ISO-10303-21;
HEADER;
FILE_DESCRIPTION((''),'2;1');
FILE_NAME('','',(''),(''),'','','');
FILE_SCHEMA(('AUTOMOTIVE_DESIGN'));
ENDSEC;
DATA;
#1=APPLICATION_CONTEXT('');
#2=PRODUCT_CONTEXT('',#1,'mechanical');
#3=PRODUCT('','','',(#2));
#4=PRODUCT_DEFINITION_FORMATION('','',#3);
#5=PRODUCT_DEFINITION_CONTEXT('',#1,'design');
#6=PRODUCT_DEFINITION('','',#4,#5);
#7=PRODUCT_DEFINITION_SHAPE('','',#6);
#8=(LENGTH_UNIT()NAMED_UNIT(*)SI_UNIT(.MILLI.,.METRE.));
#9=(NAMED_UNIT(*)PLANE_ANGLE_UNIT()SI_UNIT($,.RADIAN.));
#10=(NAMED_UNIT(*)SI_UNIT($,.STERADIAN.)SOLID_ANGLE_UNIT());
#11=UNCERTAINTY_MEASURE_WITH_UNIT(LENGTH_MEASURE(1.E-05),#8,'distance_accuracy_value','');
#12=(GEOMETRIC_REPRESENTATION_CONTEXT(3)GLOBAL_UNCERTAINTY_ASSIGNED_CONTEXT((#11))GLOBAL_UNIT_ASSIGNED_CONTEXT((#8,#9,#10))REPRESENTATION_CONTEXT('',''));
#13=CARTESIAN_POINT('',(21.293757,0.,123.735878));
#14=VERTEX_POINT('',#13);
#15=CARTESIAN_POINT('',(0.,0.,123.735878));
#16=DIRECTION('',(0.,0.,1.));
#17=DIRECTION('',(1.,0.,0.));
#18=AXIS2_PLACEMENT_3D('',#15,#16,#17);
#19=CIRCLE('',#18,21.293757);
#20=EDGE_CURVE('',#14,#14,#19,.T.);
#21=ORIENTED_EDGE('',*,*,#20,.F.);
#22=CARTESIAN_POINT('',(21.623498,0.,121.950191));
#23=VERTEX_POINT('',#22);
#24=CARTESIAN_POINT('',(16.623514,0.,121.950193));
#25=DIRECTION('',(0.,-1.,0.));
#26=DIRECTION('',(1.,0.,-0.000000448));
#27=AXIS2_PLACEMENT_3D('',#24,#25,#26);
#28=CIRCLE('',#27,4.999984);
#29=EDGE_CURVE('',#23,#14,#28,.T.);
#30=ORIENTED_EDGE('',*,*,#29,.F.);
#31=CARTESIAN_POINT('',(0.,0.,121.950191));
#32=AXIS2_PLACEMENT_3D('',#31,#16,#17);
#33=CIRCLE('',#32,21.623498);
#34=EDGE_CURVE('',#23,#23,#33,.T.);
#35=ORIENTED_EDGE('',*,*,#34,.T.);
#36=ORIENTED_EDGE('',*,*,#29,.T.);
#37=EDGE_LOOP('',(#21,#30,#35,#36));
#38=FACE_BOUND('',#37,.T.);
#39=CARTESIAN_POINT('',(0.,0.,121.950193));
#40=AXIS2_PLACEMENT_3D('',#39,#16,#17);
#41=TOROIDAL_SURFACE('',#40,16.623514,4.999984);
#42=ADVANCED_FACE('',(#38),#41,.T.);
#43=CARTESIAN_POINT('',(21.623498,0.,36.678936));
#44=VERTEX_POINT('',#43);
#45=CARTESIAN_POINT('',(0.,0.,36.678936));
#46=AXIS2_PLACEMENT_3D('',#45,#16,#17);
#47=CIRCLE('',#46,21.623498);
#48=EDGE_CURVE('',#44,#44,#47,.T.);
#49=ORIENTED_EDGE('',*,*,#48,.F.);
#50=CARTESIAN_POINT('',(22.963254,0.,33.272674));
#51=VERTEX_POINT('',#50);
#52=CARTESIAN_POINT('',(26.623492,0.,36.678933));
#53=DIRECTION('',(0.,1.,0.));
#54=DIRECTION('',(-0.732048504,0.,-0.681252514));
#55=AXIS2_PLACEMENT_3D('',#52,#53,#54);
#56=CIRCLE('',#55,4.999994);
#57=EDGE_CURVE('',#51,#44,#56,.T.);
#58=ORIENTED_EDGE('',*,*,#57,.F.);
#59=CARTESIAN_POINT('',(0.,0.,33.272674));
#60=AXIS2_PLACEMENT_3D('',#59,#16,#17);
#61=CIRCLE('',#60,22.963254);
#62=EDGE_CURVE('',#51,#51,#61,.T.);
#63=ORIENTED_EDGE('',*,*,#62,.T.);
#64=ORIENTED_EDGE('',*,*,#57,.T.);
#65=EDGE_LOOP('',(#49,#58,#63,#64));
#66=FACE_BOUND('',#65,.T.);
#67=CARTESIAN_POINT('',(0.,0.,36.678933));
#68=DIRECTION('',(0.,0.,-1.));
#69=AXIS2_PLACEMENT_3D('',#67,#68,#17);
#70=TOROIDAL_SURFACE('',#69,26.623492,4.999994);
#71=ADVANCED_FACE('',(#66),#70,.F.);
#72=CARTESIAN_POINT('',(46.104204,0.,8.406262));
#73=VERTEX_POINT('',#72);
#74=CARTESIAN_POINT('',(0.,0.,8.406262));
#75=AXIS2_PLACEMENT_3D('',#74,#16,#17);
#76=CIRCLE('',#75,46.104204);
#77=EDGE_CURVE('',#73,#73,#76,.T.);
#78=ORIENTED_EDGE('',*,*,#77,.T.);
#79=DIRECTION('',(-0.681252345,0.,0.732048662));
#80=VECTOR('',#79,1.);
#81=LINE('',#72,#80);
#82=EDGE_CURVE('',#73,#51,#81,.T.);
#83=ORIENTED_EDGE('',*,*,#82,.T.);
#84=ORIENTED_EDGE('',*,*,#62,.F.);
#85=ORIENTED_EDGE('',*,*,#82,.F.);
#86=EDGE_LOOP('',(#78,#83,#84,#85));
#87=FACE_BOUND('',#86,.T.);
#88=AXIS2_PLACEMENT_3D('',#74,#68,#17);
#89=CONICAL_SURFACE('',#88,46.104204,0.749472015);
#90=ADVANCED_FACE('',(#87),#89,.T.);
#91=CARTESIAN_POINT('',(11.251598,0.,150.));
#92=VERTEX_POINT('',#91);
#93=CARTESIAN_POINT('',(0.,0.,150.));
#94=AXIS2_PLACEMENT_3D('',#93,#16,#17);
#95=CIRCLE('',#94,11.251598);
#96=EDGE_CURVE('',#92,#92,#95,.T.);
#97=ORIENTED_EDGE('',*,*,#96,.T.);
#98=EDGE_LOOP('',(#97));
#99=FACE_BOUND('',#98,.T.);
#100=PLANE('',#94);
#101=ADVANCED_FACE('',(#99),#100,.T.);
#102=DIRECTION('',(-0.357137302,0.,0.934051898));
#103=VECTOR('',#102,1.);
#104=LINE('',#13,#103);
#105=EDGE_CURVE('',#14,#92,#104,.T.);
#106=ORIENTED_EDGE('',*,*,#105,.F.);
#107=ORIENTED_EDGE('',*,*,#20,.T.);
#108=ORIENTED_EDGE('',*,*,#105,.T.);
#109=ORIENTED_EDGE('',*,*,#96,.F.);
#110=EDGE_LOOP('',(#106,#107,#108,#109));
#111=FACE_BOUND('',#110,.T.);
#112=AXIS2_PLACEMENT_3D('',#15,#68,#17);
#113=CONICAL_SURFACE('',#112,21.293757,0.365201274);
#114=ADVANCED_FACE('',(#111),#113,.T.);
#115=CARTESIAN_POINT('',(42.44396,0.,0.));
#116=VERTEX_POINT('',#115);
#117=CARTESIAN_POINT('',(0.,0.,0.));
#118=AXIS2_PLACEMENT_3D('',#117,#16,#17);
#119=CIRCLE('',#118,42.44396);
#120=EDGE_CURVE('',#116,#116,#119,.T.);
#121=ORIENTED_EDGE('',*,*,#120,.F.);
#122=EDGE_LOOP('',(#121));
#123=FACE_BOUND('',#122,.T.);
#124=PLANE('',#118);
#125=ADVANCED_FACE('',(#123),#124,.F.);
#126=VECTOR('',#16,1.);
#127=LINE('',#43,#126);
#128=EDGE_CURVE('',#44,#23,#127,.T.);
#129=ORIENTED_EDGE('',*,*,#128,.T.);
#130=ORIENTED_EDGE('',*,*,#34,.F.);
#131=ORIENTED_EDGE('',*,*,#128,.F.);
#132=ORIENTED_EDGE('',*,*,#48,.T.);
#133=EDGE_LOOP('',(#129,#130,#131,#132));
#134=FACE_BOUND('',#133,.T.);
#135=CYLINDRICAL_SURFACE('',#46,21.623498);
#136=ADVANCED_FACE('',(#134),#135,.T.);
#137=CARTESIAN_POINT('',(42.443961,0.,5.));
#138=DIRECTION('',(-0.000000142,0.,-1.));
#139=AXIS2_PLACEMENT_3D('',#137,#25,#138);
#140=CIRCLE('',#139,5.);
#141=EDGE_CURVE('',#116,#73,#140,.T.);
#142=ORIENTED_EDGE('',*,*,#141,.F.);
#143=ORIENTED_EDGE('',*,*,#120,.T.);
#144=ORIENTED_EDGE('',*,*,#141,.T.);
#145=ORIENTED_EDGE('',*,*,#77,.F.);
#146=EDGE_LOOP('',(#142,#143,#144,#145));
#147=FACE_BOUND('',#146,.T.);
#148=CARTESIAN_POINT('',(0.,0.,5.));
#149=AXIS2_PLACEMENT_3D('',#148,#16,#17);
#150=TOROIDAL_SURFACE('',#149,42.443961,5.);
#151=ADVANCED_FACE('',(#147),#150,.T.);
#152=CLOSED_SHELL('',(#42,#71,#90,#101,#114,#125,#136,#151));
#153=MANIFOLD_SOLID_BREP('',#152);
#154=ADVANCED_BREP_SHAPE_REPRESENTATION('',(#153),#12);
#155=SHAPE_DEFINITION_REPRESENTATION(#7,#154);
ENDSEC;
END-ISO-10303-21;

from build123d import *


with BuildPart() as f1:
    # F0 (on Front) → F1 (revolve)
    with BuildSketch(Plane.XZ):
        with BuildLine():
            Line((0, 150), (0, 0))
            Line((0, 0), (42.44396, 0))
            ThreePointArc((42.44396, 0), (47.028244, 3.003917), (46.104204, 8.406262))
            Line((46.104204, 8.406262), (22.963254, 33.272674))
            ThreePointArc((22.963254, 33.272674), (21.970476, 34.848801), (21.623498, 36.678936))
            Line((21.623498, 36.678936), (21.623498, 121.950191))
            ThreePointArc((21.623498, 121.950191), (21.540372, 122.858129), (21.293757, 123.735878))
            Line((21.293757, 123.735878), (11.251598, 150))
            Line((11.251598, 150), (0, 150))
        make_face()
    revolve(axis=Axis((0, 0, 75), (0, 0, 1)))


solid = f1.part
